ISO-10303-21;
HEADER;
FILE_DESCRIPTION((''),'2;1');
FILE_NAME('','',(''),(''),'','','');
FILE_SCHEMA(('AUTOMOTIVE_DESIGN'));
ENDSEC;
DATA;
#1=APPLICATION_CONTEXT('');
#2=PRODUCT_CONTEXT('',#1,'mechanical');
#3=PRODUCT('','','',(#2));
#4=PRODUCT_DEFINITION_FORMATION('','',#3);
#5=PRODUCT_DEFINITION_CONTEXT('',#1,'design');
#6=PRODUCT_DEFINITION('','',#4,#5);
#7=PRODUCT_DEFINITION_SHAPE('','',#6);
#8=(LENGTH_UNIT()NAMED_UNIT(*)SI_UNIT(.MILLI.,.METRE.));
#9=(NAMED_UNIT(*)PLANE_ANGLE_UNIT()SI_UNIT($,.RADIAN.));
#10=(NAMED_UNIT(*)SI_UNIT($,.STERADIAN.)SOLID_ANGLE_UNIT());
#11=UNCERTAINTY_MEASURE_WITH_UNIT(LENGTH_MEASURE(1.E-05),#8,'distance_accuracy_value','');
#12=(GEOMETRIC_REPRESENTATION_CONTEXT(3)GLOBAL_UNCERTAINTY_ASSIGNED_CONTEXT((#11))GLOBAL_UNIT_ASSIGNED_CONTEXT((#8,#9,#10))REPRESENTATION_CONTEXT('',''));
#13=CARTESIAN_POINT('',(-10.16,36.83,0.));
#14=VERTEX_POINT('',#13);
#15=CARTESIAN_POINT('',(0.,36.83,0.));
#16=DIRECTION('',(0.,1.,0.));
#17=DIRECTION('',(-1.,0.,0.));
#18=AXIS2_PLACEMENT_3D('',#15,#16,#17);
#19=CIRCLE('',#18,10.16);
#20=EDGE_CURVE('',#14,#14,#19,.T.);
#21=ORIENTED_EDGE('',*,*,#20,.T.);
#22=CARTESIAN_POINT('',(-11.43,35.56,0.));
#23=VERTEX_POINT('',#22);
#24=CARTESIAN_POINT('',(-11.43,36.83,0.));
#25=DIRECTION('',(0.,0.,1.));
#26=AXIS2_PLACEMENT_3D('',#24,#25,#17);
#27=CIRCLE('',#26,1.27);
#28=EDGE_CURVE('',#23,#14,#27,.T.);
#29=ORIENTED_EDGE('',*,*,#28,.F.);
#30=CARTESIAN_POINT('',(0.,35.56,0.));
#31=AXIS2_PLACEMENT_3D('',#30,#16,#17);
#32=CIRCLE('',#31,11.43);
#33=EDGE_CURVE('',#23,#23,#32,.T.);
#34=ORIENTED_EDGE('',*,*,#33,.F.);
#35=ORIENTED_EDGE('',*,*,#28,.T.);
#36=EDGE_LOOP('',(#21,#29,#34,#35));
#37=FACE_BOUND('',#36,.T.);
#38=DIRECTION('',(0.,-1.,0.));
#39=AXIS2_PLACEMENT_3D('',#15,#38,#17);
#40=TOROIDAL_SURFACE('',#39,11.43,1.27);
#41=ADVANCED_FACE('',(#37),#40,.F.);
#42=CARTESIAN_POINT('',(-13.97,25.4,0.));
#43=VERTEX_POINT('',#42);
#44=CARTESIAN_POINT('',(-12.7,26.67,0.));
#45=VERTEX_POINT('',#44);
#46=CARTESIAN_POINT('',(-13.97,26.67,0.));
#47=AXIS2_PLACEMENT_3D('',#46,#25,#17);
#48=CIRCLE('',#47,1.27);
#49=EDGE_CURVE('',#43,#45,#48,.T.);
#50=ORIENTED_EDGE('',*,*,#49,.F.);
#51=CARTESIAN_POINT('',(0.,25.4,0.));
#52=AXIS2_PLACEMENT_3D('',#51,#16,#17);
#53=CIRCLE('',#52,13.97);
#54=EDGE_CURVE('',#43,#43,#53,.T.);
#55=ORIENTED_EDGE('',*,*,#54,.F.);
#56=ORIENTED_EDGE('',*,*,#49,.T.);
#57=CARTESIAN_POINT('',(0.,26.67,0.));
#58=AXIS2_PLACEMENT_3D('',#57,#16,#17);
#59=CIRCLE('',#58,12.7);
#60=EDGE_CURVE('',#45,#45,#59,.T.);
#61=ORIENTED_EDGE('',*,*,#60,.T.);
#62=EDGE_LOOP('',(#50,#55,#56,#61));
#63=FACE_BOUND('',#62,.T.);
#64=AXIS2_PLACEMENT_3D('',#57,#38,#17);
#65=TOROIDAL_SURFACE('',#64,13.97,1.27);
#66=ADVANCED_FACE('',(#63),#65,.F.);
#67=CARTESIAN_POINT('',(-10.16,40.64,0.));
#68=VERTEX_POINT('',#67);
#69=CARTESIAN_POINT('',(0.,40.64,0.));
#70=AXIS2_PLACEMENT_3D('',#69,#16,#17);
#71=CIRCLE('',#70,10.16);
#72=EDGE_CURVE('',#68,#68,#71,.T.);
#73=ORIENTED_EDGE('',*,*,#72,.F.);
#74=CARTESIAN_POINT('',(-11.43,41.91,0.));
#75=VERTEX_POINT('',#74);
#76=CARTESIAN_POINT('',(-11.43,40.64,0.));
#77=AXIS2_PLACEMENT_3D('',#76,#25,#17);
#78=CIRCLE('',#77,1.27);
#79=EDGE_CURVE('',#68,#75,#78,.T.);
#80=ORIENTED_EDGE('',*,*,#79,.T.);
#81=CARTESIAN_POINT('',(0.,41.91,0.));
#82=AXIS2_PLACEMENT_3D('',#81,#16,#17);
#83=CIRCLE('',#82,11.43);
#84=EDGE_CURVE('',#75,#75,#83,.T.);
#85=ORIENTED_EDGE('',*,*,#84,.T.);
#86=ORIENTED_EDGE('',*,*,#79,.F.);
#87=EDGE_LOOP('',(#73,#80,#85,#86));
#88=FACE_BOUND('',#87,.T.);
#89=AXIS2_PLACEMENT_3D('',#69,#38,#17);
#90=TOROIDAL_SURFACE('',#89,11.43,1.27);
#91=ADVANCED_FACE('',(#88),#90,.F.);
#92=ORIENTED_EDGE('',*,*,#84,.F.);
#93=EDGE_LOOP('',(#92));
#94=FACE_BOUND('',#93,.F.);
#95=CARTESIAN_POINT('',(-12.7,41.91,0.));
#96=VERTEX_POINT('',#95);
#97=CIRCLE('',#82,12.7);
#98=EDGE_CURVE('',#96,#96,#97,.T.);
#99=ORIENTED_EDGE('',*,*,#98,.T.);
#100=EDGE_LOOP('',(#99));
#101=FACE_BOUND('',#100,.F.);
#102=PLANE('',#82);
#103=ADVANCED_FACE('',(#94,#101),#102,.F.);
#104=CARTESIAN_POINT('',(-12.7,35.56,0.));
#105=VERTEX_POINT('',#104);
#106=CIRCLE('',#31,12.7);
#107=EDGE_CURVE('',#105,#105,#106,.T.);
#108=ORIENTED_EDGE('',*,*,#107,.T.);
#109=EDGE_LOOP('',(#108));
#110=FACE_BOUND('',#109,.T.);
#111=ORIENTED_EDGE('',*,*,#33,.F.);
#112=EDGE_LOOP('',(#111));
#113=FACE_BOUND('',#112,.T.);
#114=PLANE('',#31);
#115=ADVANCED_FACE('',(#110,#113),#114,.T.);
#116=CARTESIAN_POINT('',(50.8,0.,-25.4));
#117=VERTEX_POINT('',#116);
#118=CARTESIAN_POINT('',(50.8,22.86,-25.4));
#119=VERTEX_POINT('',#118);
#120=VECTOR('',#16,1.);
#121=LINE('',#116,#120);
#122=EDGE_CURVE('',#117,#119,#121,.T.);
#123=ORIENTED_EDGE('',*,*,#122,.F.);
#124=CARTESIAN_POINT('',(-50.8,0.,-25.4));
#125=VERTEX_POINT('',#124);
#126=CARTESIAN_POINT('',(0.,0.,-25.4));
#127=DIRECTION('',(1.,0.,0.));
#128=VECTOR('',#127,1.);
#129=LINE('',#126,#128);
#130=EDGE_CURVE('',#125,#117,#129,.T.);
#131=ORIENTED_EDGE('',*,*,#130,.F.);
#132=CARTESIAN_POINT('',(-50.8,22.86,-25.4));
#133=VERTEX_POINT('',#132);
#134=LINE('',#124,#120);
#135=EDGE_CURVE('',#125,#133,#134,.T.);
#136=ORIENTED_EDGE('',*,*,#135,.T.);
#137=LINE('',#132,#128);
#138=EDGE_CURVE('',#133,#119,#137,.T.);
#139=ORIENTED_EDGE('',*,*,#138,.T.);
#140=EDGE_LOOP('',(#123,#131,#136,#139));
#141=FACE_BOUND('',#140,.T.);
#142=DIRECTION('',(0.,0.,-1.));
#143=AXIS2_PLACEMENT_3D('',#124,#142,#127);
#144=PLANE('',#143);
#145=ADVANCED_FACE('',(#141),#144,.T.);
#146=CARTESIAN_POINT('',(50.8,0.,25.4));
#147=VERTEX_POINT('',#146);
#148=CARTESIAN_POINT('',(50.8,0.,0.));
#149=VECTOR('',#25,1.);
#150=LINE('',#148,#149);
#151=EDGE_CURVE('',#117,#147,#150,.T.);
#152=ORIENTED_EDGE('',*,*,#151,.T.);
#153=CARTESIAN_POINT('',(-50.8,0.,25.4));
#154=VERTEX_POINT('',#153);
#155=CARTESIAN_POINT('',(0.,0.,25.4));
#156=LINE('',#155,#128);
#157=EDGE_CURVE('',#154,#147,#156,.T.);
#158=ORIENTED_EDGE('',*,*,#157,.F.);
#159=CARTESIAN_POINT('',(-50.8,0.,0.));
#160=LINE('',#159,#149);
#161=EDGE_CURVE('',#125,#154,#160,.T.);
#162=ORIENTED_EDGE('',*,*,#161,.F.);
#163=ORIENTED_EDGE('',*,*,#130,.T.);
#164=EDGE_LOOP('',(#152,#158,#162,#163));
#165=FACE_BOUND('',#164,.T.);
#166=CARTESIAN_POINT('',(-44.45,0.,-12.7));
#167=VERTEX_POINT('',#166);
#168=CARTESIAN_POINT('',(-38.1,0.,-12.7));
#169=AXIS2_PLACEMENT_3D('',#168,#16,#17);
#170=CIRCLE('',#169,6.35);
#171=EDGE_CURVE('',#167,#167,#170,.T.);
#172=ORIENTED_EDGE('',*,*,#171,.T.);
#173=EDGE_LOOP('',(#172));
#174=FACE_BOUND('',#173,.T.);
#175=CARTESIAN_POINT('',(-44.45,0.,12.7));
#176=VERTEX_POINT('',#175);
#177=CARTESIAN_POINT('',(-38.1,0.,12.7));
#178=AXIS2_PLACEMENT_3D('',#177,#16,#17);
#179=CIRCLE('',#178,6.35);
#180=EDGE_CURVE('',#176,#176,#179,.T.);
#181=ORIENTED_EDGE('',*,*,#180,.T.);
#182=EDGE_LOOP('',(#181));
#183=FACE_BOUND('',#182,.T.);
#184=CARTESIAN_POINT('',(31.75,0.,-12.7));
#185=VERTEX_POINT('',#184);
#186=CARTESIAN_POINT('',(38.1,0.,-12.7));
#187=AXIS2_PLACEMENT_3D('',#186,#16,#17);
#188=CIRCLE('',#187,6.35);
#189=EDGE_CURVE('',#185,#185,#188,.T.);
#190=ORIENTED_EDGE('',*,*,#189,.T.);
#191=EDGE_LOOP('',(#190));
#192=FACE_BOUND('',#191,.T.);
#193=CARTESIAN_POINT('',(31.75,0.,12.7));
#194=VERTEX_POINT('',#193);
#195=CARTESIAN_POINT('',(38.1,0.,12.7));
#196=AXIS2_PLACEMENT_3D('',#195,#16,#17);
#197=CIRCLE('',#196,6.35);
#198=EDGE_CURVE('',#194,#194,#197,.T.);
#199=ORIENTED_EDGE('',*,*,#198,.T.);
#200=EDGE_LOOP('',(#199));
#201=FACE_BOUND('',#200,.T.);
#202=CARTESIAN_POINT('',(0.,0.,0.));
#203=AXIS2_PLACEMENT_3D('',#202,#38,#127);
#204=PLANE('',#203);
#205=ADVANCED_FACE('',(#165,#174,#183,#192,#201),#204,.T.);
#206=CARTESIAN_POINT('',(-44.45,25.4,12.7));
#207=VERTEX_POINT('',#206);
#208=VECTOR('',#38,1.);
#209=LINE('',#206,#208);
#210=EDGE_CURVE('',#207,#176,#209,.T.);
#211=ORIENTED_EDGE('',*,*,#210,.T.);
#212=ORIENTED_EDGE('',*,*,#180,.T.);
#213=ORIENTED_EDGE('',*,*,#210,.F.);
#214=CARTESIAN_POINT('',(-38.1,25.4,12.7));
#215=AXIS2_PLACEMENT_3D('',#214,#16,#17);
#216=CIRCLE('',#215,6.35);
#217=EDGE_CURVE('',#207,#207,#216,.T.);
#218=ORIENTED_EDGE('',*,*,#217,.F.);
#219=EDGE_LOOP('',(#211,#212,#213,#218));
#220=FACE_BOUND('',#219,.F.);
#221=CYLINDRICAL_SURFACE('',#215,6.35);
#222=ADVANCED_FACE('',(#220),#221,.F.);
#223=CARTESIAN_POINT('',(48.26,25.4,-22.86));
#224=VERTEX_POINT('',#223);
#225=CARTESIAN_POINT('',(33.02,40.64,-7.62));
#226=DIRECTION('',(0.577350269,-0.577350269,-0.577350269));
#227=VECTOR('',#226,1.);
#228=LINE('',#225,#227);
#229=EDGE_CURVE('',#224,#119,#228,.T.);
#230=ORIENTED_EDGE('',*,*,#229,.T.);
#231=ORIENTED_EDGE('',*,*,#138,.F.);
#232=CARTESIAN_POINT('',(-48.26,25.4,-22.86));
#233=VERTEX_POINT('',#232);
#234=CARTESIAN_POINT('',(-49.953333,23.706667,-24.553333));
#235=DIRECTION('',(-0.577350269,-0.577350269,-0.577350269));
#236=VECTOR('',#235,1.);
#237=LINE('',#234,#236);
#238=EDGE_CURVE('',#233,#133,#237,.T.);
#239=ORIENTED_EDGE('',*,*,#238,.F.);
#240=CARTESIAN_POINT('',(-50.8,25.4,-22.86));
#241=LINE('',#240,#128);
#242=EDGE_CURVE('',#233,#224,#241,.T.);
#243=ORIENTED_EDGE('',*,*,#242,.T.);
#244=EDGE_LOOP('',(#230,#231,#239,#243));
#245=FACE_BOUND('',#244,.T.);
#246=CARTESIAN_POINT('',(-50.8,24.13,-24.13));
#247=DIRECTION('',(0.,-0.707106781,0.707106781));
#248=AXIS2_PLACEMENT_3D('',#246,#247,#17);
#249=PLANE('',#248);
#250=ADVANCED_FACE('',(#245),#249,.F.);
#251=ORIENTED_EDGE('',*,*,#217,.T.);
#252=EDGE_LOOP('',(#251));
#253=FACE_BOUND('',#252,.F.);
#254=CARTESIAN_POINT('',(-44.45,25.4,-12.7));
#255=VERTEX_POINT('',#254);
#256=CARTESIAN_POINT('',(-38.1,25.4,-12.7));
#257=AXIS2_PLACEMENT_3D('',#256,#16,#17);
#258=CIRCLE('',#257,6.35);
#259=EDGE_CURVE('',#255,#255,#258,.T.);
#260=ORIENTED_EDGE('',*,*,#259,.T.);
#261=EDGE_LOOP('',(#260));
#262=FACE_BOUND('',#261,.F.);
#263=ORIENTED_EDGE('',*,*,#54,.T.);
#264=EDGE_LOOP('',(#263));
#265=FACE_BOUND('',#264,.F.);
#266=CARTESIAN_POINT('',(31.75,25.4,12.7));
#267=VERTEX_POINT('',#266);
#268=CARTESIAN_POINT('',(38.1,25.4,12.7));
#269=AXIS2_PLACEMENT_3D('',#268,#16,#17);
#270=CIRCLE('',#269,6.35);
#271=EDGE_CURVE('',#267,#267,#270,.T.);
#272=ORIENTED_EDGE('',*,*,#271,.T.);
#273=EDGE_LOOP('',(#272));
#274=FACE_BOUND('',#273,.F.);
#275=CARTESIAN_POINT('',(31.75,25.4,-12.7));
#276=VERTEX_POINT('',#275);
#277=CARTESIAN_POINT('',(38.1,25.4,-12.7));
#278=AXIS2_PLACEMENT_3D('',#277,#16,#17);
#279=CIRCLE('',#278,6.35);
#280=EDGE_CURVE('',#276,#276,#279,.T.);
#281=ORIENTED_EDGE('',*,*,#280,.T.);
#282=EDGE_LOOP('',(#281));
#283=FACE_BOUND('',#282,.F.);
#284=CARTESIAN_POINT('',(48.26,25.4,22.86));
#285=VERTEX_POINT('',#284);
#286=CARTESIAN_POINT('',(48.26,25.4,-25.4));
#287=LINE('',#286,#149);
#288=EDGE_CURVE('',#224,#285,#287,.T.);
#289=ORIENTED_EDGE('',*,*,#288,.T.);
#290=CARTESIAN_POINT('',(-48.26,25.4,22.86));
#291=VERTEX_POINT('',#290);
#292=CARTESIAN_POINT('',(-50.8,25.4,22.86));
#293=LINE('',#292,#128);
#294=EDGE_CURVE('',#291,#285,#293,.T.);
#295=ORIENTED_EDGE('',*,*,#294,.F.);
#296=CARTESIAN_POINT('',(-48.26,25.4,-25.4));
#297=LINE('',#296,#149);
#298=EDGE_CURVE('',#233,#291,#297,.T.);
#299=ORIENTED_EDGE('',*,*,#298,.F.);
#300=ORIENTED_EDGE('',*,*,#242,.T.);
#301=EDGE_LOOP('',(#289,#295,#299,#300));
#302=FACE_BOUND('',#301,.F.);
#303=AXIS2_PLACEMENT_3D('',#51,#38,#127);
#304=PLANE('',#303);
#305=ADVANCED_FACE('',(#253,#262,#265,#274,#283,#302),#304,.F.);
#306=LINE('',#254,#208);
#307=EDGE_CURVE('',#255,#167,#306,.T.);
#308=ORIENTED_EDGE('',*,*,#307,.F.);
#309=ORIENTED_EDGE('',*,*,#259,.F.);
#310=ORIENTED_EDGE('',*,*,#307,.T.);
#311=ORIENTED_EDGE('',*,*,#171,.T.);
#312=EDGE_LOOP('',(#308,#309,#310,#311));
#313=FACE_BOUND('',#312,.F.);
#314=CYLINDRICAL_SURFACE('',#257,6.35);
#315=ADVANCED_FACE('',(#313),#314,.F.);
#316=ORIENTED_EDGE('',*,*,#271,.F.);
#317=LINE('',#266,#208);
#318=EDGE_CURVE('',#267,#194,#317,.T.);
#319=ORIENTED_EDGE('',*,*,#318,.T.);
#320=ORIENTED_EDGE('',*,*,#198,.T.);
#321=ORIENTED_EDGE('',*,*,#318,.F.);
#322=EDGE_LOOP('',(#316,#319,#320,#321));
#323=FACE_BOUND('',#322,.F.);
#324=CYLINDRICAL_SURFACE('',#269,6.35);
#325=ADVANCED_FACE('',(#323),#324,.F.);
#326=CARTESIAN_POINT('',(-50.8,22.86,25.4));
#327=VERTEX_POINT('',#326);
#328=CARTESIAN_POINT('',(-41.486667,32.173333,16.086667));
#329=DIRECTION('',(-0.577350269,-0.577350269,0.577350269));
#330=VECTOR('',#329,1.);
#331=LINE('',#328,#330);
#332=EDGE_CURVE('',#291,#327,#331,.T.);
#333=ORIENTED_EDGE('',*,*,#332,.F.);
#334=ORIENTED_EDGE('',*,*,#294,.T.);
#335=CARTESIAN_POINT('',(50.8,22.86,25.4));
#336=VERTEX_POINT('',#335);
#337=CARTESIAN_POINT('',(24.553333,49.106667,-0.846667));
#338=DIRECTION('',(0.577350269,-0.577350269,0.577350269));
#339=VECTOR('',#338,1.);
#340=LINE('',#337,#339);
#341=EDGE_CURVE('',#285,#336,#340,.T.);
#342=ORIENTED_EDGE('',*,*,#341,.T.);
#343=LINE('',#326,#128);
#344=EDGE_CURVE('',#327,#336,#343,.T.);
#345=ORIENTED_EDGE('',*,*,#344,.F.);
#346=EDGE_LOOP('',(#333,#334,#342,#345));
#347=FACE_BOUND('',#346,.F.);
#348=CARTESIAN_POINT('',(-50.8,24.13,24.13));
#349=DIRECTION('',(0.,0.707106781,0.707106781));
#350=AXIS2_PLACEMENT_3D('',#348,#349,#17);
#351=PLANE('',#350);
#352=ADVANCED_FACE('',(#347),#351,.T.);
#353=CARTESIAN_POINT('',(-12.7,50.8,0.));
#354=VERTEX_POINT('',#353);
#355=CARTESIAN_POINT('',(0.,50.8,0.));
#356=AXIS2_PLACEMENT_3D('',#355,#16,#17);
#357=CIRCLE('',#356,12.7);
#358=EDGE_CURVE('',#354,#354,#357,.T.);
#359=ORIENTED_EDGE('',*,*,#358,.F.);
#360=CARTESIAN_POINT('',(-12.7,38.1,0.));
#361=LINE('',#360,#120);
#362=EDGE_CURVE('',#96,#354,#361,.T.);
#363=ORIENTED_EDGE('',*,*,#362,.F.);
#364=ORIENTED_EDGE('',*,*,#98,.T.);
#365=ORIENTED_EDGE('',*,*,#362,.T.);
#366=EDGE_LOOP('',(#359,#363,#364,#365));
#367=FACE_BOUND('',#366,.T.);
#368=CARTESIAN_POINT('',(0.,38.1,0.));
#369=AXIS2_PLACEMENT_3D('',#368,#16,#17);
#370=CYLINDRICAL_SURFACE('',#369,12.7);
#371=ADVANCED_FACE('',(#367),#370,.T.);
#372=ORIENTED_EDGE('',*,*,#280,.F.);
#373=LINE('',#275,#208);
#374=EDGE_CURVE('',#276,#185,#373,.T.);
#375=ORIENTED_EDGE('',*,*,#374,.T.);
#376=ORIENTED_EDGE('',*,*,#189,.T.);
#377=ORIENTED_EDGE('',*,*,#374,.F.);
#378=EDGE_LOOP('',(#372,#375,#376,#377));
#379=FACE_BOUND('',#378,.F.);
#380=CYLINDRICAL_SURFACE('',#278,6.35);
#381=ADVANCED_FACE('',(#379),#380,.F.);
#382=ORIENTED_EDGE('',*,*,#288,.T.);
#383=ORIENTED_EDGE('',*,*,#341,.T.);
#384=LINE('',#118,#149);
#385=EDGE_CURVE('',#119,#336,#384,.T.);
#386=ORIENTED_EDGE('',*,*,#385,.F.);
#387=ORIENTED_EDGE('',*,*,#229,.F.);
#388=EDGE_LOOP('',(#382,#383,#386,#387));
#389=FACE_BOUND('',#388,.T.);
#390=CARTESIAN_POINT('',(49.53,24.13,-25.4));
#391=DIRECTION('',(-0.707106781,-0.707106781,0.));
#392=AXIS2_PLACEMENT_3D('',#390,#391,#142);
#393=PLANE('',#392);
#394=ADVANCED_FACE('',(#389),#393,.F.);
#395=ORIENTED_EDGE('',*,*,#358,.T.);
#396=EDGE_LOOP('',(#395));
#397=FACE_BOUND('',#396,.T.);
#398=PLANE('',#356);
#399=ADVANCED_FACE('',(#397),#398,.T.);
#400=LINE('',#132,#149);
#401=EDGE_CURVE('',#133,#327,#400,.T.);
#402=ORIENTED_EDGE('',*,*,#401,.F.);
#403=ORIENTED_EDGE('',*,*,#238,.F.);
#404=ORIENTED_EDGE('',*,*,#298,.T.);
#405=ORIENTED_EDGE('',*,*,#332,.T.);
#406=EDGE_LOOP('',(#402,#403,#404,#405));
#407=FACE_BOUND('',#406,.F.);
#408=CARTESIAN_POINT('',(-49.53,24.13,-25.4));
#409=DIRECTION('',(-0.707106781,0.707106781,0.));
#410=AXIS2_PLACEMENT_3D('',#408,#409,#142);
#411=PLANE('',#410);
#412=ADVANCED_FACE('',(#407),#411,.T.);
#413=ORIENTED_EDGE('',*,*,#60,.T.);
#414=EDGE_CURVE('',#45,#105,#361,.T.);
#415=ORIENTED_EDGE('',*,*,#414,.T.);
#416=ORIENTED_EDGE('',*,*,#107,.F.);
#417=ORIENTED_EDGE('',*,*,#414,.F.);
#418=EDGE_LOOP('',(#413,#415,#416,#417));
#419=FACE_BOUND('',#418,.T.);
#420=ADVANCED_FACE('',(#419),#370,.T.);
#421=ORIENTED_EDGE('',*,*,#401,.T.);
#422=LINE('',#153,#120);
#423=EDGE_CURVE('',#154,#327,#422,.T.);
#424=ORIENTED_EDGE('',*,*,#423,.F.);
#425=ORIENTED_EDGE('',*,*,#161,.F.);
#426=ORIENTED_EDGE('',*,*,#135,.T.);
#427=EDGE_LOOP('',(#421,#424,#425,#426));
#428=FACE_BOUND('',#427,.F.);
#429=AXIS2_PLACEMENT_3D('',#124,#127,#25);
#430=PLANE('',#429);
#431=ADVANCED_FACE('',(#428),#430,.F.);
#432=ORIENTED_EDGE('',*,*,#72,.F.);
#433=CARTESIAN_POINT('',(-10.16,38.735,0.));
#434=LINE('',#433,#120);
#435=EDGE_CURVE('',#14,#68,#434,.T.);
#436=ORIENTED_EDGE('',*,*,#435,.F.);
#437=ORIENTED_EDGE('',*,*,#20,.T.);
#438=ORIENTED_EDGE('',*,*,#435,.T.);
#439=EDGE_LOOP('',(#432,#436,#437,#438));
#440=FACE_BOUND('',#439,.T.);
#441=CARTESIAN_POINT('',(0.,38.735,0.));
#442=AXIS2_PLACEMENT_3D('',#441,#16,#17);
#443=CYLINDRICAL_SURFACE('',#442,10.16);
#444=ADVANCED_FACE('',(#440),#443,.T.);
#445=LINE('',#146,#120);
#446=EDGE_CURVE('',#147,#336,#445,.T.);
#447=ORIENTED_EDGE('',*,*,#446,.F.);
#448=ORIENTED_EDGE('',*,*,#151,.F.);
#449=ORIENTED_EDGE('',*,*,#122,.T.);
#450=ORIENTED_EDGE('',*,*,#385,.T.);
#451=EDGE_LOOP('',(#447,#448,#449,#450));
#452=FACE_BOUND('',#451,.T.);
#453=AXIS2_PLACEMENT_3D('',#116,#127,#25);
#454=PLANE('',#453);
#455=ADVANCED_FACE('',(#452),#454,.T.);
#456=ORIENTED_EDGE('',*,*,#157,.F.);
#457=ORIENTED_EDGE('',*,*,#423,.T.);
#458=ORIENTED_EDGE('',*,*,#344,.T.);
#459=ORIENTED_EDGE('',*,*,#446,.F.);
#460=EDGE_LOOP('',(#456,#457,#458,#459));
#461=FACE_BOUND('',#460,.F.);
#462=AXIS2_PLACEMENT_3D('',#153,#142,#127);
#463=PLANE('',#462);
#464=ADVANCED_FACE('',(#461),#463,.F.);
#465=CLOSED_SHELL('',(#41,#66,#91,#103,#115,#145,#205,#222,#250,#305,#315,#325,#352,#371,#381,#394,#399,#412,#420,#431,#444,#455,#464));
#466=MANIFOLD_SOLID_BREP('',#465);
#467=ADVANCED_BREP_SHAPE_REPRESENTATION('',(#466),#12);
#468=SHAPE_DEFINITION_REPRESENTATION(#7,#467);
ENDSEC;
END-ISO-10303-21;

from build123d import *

# Parameters (mm, degrees)
F0_W     = 101.6
F0_H     = 50.8
F1_DEPTH = 25.4
F2_R     = 6.35
F3_DEPTH = 25.401
F4_W     = 12.7
F4_H     = 25.4
F6_W     = 8.04679
F6_H     = 6.35
F8_R     = 1.27
F9_SIZE  = 2.54


with BuildPart() as f1:
    # F0 (on Front) → F1 (new body)
    with BuildSketch(Plane.XZ):
        Rectangle(F0_W, F0_H)
    extrude(amount=-F1_DEPTH)

    # F2 (on face) → F3 (cut, through all)
    with BuildSketch(Plane(origin=(0, 25.4, 0), x_dir=(-1, 0, 0), z_dir=(0, 1, 0))):
        with Locations((-38.1, 12.7)):
            Circle(F2_R)
        with Locations((-38.1, -12.7)):
            Circle(F2_R)
        with Locations((38.1, 12.7)):
            Circle(F2_R)
        with Locations((38.1, -12.7)):
            Circle(F2_R)
    extrude(amount=-F3_DEPTH, mode=Mode.SUBTRACT)

    # F4 (on Top) → F5 (revolve)
    with BuildSketch(Plane.XY):
        with Locations((-6.35, 38.1)):
            Rectangle(F4_W, F4_H)
    revolve(axis=Axis((0, 38.1, 0), (0, 1, 0)))

    # F6 (on Top) → F7 (revolve, cut)
    with BuildSketch(Plane.XY):
        with Locations((-14.183395, 38.735)):
            Rectangle(F6_W, F6_H)
    revolve(axis=Axis((0, 34.03401, 0), (0, 1, 0)), mode=Mode.SUBTRACT)

    # F8
    f8_edges = [f1.edges().sort_by_distance(p)[0] for p in [
        (12.7, 25.4, 0),
        (10.16, 35.56, 0),
        (10.16, 41.91, 0),
    ]]
    fillet(f8_edges, radius=F8_R)

    # F9
    f9_edges = [f1.edges().sort_by_distance(p)[0] for p in [
        (50.8, 25.4, 0),
        (0, 25.4, 25.4),
        (-50.8, 25.4, 0),
        (0, 25.4, -25.4),
    ]]
    chamfer(f9_edges, length=F9_SIZE)


solid = f1.part
